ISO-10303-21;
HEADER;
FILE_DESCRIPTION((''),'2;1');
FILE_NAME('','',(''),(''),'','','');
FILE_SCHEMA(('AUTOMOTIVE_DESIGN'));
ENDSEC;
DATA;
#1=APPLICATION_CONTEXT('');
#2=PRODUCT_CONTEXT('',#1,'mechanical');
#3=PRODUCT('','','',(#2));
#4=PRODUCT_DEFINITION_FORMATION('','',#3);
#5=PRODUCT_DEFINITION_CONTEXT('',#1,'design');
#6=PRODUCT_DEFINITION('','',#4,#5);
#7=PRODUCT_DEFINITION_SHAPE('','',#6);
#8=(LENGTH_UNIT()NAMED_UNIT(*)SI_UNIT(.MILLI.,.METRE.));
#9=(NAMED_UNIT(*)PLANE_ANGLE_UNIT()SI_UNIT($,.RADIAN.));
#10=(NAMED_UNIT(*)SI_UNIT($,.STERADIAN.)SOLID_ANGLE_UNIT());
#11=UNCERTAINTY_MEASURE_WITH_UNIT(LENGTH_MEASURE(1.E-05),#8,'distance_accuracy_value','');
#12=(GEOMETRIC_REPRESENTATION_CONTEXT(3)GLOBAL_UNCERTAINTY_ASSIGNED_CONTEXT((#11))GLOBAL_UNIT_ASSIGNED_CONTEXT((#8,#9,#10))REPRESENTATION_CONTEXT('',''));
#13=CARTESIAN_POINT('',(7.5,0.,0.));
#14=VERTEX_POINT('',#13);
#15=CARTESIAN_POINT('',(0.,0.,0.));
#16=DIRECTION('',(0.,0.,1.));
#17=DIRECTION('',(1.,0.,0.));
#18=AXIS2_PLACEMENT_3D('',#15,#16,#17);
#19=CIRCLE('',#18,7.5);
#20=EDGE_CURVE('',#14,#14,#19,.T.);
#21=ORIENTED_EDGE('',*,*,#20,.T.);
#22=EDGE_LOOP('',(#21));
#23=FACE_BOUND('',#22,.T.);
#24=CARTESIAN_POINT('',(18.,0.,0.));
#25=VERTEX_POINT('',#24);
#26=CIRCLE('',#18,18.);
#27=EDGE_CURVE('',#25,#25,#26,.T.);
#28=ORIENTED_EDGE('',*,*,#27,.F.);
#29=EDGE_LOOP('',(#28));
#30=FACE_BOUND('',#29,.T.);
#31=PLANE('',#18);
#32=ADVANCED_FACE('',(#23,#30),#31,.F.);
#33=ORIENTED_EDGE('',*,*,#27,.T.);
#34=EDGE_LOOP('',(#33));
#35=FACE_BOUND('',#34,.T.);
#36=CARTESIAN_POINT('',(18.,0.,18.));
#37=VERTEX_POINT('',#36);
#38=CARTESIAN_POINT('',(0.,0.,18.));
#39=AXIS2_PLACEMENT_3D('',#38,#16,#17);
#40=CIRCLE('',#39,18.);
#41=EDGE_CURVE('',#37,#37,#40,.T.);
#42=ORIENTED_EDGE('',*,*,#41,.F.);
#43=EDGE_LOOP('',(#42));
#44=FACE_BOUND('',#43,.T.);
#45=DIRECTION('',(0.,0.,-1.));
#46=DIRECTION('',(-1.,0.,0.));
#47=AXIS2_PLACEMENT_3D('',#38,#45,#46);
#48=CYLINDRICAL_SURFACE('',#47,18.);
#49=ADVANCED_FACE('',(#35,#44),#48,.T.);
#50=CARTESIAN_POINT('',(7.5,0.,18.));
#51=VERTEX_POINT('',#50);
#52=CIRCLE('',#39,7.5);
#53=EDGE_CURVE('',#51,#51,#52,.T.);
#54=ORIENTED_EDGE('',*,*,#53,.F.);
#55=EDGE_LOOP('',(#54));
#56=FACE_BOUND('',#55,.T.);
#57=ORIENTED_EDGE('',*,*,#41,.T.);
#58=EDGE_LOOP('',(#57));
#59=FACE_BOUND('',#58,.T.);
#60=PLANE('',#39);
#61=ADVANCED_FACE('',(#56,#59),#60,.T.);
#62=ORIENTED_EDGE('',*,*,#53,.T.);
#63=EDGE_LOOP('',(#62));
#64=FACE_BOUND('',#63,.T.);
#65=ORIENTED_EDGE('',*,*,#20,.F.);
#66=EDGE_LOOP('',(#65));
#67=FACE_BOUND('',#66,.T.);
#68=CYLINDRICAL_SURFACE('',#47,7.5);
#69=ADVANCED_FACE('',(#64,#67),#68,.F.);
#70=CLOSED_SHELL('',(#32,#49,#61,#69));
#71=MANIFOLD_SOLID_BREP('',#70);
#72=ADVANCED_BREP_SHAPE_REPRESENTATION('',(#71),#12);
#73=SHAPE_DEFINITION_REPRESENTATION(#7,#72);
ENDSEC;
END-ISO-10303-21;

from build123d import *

# Parameters (mm, degrees)
SKETCH1_R           = 18
SKETCH1_R_2         = 7.5
BOSS_EXTRUDE1_DEPTH = 18


with BuildPart() as part:
    # Sketch1 → Boss-Extrude1 (new body)
    with BuildSketch(Plane.XY):
        Circle(SKETCH1_R)
        Circle(SKETCH1_R_2, mode=Mode.SUBTRACT)
    extrude(amount=BOSS_EXTRUDE1_DEPTH)


solid = part.part
